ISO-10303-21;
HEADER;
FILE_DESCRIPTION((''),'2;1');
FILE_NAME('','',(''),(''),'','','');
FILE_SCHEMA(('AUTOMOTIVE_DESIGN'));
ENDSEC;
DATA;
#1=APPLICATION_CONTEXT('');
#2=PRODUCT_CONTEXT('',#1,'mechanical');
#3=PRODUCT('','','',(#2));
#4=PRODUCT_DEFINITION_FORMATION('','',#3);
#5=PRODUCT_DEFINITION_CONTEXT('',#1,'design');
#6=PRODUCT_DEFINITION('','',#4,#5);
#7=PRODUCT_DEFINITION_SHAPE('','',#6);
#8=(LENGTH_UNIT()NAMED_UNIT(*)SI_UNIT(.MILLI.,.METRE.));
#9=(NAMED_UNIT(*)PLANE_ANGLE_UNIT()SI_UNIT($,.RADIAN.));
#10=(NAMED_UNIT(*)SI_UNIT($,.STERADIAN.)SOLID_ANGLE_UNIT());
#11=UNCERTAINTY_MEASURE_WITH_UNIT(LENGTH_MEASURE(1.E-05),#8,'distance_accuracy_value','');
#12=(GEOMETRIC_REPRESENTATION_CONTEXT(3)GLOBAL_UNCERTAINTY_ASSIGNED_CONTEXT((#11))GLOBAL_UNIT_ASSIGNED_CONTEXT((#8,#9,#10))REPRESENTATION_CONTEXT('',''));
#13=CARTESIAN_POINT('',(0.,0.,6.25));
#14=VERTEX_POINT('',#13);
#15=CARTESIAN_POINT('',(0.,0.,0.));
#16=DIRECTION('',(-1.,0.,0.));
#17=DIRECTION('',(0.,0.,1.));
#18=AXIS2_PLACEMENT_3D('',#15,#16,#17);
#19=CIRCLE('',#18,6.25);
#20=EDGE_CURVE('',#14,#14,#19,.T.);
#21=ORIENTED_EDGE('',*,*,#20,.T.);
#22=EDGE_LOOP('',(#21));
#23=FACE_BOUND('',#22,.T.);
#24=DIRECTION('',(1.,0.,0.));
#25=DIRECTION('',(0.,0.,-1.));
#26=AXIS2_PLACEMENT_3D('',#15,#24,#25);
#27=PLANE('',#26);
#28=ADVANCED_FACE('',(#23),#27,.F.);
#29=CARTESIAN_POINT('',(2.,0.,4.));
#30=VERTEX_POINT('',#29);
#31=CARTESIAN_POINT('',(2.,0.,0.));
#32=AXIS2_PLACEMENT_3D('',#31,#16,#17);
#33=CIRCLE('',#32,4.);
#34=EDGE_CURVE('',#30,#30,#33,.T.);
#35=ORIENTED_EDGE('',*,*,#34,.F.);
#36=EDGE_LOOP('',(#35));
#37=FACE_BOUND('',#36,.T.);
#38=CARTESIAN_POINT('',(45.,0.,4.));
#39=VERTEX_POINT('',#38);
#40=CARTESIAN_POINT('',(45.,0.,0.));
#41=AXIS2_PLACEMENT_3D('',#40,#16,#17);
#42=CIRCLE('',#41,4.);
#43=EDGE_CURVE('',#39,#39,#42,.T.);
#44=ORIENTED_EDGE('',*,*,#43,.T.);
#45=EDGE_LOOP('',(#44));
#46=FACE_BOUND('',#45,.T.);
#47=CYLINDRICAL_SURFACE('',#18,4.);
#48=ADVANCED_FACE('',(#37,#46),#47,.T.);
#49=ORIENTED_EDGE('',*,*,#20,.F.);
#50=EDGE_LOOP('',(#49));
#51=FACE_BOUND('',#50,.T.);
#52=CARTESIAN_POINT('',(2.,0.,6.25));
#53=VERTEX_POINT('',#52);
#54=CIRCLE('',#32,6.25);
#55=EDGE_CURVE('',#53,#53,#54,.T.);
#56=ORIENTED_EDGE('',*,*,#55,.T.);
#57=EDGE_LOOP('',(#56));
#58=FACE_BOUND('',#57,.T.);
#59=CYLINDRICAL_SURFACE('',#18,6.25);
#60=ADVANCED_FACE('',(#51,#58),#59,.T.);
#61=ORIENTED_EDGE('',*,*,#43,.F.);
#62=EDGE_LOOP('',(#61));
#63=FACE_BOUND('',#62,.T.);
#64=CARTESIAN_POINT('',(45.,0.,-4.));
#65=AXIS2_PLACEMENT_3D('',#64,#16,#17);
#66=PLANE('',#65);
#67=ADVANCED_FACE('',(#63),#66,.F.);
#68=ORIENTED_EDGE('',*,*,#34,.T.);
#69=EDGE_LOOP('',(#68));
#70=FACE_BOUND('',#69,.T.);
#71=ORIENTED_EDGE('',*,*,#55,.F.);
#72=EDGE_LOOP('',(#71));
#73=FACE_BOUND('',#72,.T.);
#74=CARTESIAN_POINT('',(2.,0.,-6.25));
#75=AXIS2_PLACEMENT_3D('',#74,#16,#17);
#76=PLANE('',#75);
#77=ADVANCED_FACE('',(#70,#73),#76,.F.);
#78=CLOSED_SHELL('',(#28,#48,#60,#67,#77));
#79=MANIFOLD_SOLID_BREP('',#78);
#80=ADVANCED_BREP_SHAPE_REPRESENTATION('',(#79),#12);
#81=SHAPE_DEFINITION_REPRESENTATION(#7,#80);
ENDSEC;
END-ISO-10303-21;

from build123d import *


with BuildPart() as part:
    # ｽｹｯﾁ1 → 回転1 (revolve)
    with BuildSketch(Plane(origin=(0, 0, 0), x_dir=(1, 0, 0), z_dir=(0, 1, 0)), mode=Mode.PRIVATE) as revolve_1_sk:
        Polygon((0, 0), (0, 6.25), (2, 6.25), (2, 4), (45, 4), (45, 0), align=None)
    revolve(revolve_1_sk.sketch.rotate(Axis((0, 0, 0), (1, 0, 0)), 180), axis=Axis((0, 0, 0), (1, 0, 0)))


solid = part.part
